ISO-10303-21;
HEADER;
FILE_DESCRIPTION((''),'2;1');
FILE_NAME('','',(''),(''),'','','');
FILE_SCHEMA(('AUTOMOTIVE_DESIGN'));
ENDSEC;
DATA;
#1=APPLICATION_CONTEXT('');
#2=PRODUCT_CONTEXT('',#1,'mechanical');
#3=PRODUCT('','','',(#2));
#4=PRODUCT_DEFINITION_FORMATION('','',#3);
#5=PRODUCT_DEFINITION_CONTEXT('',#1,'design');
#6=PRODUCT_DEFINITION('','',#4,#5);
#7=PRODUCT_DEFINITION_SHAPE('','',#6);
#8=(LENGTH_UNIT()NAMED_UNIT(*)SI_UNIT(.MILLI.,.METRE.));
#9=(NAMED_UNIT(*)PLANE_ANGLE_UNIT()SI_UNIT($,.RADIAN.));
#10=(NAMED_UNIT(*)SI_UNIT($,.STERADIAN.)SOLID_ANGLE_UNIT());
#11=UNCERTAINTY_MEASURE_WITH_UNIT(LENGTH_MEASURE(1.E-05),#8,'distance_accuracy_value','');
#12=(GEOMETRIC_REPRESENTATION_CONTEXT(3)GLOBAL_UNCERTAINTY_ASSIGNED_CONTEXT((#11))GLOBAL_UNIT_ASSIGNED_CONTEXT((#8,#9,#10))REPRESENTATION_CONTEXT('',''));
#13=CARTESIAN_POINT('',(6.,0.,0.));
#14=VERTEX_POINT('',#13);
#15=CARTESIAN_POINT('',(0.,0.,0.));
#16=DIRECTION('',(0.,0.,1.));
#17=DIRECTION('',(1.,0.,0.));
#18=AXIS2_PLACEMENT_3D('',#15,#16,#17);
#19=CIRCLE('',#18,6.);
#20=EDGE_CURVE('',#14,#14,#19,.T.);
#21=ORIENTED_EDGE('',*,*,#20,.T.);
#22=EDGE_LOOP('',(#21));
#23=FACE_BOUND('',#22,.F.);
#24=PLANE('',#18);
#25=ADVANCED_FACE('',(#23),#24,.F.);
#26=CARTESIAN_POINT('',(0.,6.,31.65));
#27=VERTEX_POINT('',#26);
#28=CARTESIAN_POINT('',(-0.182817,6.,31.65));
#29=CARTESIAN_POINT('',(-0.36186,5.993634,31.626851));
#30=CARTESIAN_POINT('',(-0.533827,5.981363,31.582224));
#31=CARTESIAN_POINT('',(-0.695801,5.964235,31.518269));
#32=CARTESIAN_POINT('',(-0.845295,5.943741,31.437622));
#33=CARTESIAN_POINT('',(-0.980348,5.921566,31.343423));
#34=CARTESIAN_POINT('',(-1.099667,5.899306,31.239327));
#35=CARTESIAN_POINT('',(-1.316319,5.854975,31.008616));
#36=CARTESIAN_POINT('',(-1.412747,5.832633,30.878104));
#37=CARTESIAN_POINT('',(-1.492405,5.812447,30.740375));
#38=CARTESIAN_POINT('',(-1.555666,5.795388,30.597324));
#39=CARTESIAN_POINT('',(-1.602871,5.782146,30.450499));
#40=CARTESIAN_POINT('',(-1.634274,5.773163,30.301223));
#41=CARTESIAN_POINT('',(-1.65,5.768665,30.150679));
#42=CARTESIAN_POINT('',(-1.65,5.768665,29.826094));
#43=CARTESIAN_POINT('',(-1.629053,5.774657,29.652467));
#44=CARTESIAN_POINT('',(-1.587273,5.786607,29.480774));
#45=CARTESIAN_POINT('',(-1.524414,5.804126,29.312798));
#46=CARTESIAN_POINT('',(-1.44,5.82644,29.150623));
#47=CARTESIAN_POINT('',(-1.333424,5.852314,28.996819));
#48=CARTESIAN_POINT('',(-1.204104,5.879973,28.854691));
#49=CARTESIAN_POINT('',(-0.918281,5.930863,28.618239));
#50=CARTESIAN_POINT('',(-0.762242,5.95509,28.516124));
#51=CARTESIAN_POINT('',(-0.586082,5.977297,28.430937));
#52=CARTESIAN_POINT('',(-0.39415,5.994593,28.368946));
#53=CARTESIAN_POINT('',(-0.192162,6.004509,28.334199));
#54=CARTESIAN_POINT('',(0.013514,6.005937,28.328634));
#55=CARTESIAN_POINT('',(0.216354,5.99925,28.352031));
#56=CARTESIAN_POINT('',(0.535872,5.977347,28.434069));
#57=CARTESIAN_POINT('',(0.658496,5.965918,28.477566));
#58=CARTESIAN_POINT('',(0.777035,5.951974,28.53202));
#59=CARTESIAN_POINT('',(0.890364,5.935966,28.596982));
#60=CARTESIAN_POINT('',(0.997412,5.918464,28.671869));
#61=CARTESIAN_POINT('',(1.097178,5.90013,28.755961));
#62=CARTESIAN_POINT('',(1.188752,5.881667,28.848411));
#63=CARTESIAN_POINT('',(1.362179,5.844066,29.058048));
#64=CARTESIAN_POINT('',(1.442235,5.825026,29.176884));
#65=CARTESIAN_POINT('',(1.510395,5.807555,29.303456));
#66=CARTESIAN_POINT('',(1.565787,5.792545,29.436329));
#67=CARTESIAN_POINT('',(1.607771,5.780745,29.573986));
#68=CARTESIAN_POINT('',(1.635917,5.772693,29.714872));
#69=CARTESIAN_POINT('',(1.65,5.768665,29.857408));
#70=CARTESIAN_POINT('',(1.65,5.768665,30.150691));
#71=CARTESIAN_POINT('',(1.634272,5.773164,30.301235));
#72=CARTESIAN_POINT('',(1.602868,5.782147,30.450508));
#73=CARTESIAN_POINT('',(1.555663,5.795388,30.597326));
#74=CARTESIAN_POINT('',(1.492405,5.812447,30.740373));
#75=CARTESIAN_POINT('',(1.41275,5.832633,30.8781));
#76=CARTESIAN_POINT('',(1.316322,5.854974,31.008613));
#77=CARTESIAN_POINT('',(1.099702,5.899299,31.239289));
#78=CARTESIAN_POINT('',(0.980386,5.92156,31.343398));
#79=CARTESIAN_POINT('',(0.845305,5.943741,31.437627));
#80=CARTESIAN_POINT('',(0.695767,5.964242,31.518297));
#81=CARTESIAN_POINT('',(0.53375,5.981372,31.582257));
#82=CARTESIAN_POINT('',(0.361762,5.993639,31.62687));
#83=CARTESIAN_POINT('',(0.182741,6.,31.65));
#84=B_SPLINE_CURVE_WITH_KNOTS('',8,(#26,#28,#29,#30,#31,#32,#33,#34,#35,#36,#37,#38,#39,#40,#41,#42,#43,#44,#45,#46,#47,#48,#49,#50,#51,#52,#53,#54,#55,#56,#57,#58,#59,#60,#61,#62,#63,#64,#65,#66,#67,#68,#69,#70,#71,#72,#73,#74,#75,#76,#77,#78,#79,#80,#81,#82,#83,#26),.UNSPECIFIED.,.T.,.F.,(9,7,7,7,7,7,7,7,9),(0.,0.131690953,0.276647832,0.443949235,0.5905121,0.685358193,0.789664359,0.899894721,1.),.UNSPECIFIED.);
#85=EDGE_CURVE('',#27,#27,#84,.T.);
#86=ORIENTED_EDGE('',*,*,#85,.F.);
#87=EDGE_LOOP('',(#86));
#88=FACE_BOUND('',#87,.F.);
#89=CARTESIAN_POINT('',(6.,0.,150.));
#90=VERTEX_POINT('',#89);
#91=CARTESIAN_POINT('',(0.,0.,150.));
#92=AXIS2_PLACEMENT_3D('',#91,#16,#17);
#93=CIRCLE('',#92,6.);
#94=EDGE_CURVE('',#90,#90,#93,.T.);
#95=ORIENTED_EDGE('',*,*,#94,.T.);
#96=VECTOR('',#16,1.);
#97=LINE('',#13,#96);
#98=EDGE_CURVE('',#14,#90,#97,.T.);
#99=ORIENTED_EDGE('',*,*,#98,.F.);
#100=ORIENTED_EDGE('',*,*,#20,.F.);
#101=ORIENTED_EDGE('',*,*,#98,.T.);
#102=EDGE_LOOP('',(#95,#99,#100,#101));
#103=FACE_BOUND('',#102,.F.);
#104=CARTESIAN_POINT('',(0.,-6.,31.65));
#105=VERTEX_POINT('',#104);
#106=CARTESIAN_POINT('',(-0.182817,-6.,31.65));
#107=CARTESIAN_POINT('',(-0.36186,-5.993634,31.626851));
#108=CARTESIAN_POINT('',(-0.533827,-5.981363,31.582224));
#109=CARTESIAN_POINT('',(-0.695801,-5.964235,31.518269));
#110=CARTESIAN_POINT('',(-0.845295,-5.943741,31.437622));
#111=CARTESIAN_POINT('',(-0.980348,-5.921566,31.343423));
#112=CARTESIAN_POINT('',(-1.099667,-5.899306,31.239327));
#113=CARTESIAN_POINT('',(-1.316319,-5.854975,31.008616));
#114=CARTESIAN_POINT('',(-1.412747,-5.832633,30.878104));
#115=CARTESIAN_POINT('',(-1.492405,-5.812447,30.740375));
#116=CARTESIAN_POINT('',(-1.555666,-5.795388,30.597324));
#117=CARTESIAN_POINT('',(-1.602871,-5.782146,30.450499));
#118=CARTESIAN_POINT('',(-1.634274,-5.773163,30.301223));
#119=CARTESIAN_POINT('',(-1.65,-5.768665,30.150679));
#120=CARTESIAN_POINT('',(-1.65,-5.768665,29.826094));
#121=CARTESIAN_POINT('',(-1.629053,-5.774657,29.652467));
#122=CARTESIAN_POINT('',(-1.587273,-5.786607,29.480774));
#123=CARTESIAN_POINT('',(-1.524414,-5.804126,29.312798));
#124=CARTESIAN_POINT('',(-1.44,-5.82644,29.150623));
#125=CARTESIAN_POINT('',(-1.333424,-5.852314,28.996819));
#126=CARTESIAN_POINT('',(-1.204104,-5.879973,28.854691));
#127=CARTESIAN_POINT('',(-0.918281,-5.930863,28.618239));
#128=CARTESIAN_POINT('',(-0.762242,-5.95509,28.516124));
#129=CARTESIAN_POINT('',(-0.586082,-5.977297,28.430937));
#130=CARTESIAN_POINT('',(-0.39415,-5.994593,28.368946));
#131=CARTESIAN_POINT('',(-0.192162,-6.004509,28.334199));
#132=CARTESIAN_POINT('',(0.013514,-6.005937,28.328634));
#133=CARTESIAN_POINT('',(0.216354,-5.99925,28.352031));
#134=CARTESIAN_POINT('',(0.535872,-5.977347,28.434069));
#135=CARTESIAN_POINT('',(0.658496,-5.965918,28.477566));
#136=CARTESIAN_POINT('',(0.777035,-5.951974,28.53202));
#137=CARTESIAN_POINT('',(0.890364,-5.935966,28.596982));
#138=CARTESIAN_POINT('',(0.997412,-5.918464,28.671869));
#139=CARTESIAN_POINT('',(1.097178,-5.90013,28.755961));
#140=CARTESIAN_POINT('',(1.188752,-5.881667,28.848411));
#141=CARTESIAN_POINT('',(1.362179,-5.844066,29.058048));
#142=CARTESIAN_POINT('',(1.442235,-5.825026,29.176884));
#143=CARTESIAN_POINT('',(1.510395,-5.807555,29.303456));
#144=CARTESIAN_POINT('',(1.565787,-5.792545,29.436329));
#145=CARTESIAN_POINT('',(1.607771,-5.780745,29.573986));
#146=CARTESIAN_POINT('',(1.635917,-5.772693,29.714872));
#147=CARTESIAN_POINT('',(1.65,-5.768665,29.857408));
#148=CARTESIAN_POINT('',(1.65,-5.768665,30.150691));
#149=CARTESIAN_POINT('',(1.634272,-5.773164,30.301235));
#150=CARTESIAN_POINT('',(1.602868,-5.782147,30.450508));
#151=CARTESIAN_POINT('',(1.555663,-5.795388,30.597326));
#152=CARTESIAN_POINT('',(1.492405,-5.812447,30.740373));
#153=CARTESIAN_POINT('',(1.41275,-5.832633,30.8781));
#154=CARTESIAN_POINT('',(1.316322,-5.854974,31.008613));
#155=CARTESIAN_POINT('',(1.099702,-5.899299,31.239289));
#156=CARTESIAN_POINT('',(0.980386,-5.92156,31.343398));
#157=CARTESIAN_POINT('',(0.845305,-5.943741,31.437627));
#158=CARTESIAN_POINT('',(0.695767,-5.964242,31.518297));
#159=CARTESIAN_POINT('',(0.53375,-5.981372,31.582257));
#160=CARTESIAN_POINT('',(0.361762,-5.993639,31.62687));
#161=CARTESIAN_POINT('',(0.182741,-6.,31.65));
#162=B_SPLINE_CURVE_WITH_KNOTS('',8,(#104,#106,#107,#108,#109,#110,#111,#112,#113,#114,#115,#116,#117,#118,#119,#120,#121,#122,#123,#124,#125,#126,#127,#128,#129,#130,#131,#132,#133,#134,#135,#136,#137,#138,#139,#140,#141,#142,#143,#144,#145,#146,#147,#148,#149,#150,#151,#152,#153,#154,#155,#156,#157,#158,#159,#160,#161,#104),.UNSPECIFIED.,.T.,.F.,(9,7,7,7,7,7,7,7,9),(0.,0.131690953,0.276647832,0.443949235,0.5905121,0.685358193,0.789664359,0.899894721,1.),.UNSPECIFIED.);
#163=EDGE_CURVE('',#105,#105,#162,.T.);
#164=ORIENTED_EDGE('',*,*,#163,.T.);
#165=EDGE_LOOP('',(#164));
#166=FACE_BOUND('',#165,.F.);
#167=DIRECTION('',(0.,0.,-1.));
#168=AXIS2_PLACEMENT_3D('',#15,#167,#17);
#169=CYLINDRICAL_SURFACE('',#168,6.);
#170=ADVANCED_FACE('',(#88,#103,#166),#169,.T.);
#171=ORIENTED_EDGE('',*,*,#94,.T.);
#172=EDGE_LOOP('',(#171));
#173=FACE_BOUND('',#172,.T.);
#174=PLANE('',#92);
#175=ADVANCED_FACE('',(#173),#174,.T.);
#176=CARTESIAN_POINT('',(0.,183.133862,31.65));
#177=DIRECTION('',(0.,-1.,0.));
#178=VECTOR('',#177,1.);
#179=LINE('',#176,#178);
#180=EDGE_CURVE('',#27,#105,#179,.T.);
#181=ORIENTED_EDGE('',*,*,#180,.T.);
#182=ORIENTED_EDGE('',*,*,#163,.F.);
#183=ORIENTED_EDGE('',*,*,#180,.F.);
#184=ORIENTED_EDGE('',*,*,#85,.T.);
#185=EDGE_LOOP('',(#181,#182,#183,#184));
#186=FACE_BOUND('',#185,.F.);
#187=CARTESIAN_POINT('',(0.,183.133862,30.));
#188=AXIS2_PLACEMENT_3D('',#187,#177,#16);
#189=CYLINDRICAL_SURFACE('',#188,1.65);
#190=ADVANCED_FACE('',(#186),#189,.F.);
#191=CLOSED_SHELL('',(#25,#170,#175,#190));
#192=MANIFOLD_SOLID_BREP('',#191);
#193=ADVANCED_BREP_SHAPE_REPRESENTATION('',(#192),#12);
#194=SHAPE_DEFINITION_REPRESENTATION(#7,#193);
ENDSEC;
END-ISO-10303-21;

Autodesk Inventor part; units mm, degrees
ref_plane "YZ Plane" through (0, 0, 0) normal (1, 0, 0) x (0, 1, 0)
ref_plane "XZ Plane" through (0, 0, 0) normal (0, 1, 0) x (-1, 0, 0)
ref_plane "XY Plane" through (0, 0, 0) normal (0, 0, 1) x (1, 0, 0)
sketch "スケッチ1" plane through (0, 0, 0) normal (0, 0, 1) x (1, 0, 0)
  circle A0 centre (0, 0) radius 6
  dimension "d0" = 12
extrude "押し出し1" add sketch "スケッチ1" along normal blind 150
sketch "スケッチ2" plane through (0, 0, 0) normal (0, 1, 0) x (-1, 0, 0)
  line L0 (6, 150) -> (-6, 150) projected
  line L1 (6, 0) -> (-6, 0) projected
  line L2 (0, 0) -> (0, 150)
  point P0 (0, 30)
  dimension "d3" = 30
hole "穴1" at (0, 0, 30) direction (0, -1, 0) diameter 3.3 end through all both
properties part number "aaa_10_jiku"
